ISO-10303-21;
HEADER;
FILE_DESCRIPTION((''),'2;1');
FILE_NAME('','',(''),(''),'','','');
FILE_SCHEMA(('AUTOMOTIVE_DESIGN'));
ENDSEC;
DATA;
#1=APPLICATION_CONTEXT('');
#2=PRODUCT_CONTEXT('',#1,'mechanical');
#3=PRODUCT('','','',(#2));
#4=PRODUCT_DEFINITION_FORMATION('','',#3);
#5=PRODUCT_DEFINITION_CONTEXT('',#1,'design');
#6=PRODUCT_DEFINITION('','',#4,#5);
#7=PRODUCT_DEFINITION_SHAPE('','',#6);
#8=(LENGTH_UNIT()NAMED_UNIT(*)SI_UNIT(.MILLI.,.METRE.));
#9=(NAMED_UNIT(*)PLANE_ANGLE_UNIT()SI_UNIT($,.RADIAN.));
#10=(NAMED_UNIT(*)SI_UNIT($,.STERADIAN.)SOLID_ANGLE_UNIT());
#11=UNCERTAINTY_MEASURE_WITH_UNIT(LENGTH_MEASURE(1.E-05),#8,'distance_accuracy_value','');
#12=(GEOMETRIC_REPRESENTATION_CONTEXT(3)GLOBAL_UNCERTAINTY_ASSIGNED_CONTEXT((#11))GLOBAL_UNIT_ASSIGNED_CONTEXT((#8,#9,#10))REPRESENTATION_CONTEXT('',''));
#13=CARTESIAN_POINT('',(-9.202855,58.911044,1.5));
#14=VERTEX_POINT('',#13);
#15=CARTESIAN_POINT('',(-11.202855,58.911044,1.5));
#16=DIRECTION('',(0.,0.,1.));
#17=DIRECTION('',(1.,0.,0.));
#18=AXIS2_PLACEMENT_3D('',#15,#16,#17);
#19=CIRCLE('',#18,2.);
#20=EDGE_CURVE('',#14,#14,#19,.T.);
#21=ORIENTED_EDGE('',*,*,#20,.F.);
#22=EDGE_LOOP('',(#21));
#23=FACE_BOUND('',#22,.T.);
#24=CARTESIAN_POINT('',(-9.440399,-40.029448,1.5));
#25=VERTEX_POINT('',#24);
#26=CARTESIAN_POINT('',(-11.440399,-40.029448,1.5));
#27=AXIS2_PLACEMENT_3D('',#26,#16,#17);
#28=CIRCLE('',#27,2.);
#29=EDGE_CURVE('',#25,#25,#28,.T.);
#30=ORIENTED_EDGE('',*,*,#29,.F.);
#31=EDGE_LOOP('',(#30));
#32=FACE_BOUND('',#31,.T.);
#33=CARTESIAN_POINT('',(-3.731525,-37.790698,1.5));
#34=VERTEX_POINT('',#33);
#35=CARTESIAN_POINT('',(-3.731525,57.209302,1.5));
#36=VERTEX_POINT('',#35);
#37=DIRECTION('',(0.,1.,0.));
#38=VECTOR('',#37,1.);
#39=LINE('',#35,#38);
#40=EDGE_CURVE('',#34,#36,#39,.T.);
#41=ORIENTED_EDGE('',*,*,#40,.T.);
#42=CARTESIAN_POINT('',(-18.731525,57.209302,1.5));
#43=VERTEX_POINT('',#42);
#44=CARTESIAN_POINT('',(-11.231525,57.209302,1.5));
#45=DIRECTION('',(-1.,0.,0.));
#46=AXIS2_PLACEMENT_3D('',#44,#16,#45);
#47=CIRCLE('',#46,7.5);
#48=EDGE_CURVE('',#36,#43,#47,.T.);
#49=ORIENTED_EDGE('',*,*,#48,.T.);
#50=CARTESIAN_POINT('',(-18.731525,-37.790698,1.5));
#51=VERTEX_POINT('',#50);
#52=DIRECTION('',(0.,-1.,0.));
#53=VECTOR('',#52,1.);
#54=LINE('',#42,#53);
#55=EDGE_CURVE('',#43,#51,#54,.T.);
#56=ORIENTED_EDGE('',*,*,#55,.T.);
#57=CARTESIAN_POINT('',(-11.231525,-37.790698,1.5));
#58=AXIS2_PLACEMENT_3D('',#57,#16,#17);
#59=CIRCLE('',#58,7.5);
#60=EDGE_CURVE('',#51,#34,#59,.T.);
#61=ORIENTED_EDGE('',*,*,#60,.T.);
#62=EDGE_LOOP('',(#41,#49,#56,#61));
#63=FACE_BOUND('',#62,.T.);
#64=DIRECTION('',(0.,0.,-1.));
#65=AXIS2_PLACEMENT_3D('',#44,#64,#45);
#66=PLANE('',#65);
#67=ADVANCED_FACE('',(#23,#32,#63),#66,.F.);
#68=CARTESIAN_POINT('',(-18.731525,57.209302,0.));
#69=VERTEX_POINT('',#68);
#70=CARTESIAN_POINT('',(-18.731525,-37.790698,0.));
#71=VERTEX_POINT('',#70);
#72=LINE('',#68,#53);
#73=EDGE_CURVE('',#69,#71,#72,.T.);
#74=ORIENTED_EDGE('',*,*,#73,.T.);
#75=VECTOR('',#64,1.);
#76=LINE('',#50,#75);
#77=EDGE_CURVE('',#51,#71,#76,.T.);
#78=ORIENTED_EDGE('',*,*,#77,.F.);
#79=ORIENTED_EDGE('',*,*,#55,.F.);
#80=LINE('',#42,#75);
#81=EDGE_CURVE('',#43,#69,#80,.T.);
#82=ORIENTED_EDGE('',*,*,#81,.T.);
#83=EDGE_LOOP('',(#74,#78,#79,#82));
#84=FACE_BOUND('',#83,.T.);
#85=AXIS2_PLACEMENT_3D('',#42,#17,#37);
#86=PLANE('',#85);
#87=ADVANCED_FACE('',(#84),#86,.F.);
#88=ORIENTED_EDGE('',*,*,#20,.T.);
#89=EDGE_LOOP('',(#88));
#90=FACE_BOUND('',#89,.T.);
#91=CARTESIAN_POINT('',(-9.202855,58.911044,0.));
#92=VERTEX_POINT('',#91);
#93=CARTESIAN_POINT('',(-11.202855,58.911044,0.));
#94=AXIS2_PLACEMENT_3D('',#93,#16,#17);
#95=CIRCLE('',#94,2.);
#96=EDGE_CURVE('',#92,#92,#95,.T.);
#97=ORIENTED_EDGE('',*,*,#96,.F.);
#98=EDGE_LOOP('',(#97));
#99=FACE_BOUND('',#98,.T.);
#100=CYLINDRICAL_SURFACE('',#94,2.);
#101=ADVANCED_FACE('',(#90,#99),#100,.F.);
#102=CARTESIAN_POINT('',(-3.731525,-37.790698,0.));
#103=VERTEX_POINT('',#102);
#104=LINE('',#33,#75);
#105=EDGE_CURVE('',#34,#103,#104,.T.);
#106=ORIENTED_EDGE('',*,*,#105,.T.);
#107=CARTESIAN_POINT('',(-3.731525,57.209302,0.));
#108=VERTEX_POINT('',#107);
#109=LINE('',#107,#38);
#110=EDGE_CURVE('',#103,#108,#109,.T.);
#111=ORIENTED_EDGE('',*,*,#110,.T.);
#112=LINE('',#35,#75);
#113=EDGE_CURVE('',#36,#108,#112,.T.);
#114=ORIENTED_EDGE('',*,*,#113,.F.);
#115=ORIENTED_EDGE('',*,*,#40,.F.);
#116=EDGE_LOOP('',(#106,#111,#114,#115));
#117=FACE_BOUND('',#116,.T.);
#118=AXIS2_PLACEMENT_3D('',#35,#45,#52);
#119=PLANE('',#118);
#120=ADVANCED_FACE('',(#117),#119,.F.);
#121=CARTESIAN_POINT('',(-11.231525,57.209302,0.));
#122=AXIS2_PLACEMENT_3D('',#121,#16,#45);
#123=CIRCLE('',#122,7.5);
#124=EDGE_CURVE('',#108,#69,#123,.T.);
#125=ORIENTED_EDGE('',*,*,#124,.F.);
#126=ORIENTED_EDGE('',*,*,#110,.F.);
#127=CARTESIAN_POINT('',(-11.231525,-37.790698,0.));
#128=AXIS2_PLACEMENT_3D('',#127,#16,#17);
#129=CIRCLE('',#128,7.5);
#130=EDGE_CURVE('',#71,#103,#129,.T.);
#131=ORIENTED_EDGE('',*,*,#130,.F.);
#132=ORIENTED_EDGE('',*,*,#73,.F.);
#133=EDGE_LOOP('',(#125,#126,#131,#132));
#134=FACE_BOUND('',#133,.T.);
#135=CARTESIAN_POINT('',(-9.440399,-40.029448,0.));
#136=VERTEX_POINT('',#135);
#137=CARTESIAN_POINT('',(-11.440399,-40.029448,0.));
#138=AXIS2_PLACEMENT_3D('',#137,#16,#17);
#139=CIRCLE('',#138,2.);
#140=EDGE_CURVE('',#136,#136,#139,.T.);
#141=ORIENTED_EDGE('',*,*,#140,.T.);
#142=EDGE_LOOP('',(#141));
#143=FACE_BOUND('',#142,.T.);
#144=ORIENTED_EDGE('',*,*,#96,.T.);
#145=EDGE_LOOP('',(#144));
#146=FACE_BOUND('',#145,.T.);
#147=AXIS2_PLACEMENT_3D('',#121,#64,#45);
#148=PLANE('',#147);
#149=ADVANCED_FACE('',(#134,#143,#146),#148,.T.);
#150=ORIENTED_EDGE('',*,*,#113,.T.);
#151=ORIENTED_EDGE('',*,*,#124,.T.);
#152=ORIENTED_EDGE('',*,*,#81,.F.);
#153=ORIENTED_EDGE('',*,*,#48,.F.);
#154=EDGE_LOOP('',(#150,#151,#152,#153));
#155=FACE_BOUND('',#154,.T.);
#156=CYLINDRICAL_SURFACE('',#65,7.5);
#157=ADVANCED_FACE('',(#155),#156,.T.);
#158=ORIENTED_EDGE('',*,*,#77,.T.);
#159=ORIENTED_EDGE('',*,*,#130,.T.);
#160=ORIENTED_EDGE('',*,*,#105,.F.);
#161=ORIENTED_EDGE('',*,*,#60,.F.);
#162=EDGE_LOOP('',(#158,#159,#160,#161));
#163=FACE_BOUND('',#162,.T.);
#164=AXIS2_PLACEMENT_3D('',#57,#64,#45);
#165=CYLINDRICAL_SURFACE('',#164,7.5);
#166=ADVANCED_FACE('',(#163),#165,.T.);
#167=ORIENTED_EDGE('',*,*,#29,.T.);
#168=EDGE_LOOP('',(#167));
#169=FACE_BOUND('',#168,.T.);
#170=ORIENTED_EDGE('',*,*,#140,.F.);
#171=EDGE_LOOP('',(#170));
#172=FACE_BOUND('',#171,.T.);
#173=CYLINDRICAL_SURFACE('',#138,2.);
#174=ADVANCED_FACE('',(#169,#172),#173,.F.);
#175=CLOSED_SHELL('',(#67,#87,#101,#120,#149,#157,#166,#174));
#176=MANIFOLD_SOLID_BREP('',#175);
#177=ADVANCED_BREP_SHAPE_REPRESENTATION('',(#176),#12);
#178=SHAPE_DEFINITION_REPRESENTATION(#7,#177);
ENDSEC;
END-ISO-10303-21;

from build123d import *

# Parameters (mm, degrees)
BOSS_EXTRUDE1_DEPTH = 1.5
SKETCH2_R           = 2
CUT_EXTRUDE2_DEPTH  = 1.5


with BuildPart() as part:
    # Sketch1 → Boss-Extrude1 (new body)
    with BuildSketch(Plane.XY):
        with BuildLine():
            Line((-18.731525136, 57.209302326), (-18.731525136, -37.790697674))
            ThreePointArc((-18.731525136, -37.790697674), (-11.231525136, -45.290697674), (-3.731525136, -37.790697674))
            Line((-3.731525136, -37.790697674), (-3.731525136, 57.209302326))
            ThreePointArc((-3.731525136, 57.209302326), (-11.231525136, 64.709302326), (-18.731525136, 57.209302326))
        make_face()
    extrude(amount=BOSS_EXTRUDE1_DEPTH)

    # Sketch2 → Cut-Extrude2 (cut)
    with BuildSketch(Plane.XY.offset(1.5)):
        with Locations((-11.202855026, 58.911044132)):
            Circle(SKETCH2_R)
        with Locations((-11.440398857, -40.029447888)):
            Circle(SKETCH2_R)
    extrude(amount=-CUT_EXTRUDE2_DEPTH, mode=Mode.SUBTRACT)


solid = part.part
